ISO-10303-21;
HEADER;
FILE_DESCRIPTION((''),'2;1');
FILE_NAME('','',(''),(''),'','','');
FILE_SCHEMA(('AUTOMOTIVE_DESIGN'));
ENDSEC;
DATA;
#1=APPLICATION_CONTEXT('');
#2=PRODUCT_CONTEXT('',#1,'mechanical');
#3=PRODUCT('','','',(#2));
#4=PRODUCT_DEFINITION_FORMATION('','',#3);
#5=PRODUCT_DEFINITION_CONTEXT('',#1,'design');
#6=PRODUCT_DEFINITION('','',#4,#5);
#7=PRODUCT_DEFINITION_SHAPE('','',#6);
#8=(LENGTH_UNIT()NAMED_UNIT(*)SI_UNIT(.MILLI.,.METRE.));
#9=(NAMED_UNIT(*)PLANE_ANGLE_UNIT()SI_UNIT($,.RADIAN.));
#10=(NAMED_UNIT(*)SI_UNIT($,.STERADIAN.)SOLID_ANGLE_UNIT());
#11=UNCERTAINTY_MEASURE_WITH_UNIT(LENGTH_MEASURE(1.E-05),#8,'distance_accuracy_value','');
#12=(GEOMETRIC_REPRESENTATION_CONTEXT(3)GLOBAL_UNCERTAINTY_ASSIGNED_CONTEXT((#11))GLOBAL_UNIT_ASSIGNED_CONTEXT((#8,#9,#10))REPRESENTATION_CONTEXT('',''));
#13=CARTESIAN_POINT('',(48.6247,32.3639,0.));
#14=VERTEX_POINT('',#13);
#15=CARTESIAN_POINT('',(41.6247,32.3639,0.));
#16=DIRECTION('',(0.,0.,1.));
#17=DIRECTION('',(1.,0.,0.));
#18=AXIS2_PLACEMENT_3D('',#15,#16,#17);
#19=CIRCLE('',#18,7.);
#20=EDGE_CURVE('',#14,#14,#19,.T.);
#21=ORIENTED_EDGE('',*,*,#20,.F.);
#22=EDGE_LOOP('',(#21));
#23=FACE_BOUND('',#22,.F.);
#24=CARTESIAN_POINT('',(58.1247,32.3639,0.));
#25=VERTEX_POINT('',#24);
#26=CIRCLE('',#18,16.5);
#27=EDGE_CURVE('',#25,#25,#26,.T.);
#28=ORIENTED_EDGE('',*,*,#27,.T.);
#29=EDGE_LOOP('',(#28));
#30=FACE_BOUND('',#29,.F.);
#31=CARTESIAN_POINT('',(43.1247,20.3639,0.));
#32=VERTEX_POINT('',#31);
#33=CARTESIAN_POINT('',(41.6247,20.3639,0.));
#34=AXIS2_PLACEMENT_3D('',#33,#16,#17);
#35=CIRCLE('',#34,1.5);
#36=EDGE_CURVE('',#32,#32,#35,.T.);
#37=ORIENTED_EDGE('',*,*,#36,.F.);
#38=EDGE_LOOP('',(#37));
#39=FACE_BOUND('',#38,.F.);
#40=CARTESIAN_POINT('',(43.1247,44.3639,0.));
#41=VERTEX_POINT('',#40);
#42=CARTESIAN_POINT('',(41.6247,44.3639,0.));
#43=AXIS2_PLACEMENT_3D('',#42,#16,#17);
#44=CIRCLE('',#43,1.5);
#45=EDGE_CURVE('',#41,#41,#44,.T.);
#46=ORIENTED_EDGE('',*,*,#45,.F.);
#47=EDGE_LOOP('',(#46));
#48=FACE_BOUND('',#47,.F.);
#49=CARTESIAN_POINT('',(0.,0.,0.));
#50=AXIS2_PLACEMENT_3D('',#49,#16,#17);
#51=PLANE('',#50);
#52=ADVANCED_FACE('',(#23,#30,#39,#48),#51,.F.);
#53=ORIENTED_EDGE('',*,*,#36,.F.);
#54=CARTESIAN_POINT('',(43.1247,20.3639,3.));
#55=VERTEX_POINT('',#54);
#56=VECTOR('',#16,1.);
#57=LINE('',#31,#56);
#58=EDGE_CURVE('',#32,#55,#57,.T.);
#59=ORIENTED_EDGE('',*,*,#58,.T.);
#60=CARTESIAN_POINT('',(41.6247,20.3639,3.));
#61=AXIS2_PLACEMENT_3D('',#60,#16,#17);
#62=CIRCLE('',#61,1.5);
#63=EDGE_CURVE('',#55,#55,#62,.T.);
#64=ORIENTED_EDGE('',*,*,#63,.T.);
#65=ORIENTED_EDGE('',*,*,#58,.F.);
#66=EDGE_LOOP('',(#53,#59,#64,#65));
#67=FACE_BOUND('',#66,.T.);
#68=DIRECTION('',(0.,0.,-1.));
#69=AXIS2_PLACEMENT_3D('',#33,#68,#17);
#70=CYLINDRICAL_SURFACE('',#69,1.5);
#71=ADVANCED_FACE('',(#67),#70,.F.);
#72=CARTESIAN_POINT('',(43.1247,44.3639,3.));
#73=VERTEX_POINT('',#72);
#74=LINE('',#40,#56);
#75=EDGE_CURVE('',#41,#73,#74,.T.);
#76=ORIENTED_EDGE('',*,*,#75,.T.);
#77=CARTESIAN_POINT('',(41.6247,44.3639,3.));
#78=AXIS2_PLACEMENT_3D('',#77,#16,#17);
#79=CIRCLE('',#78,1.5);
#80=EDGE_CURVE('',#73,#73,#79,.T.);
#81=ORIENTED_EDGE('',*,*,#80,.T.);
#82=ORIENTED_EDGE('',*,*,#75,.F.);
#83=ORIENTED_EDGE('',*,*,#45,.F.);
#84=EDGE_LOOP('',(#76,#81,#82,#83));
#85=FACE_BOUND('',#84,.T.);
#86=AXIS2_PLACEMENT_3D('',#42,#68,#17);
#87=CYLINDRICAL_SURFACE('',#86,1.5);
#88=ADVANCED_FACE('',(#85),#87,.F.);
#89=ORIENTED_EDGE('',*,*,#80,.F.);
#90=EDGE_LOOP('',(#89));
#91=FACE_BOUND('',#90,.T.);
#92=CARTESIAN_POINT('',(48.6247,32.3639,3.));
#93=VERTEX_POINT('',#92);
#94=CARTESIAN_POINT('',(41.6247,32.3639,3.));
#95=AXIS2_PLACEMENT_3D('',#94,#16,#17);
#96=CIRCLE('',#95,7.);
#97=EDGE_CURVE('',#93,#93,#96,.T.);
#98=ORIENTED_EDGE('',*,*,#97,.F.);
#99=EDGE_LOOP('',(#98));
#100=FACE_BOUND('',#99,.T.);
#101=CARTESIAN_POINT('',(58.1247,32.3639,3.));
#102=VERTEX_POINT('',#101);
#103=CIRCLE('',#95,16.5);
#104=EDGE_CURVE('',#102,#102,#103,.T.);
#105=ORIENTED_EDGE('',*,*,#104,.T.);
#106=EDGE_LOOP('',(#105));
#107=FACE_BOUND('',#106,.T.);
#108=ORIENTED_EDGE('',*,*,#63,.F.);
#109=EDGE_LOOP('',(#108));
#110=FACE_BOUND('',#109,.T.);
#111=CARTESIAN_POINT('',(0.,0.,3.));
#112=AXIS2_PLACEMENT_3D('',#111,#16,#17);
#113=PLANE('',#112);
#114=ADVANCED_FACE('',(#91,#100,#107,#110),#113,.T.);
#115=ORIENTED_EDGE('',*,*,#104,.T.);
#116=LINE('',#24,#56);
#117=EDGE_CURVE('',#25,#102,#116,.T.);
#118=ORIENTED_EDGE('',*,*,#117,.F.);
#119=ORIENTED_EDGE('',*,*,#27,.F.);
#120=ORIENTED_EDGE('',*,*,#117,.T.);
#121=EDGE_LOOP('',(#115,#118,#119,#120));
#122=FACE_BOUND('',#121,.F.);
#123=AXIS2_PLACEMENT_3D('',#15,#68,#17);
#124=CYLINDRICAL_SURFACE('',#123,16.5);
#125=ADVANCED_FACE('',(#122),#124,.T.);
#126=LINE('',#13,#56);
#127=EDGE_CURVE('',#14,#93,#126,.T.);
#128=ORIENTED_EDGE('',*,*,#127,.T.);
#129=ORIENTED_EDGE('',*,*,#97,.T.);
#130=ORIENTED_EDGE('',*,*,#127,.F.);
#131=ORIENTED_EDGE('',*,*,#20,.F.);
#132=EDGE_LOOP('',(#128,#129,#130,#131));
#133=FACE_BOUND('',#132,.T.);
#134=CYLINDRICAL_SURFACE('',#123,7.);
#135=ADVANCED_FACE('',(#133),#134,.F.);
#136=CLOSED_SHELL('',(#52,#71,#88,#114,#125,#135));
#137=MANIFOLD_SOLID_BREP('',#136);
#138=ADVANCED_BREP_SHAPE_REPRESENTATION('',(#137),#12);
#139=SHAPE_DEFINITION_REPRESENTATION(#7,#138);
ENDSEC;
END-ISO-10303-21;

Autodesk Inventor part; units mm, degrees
ref_plane "YZ Plane" through (0, 0, 0) normal (1, 0, 0) x (0, 1, 0)
ref_plane "XZ Plane" through (0, 0, 0) normal (0, 1, 0) x (-1, 0, 0)
ref_plane "XY Plane" through (0, 0, 0) normal (0, 0, 1) x (1, 0, 0)
sketch "Sketch1" plane through (0, 0, 0) normal (0, 0, 1) x (1, 0, 0)
  circle A0 centre (41.6247, 32.3639) radius 7
  circle A1 centre (41.6247, 32.3639) radius 16.5
  circle A2 centre (41.6247, 44.3639) radius 1.5
  circle A3 centre (41.6247, 20.3639) radius 1.5
  dimension "d0" = 14
  dimension "d5" = 3
  dimension "d7" = 3
  dimension "d19" = 33
  dimension "d24" = 0
  dimension "d25" = 0
  dimension "d26" = 24
  dimension "d30" = 12
extrude "Extrusion1" add sketch "Sketch1" along normal blind 3
properties part number "Tapa para Buje" material "Steel, High Strength, Low Alloy"
